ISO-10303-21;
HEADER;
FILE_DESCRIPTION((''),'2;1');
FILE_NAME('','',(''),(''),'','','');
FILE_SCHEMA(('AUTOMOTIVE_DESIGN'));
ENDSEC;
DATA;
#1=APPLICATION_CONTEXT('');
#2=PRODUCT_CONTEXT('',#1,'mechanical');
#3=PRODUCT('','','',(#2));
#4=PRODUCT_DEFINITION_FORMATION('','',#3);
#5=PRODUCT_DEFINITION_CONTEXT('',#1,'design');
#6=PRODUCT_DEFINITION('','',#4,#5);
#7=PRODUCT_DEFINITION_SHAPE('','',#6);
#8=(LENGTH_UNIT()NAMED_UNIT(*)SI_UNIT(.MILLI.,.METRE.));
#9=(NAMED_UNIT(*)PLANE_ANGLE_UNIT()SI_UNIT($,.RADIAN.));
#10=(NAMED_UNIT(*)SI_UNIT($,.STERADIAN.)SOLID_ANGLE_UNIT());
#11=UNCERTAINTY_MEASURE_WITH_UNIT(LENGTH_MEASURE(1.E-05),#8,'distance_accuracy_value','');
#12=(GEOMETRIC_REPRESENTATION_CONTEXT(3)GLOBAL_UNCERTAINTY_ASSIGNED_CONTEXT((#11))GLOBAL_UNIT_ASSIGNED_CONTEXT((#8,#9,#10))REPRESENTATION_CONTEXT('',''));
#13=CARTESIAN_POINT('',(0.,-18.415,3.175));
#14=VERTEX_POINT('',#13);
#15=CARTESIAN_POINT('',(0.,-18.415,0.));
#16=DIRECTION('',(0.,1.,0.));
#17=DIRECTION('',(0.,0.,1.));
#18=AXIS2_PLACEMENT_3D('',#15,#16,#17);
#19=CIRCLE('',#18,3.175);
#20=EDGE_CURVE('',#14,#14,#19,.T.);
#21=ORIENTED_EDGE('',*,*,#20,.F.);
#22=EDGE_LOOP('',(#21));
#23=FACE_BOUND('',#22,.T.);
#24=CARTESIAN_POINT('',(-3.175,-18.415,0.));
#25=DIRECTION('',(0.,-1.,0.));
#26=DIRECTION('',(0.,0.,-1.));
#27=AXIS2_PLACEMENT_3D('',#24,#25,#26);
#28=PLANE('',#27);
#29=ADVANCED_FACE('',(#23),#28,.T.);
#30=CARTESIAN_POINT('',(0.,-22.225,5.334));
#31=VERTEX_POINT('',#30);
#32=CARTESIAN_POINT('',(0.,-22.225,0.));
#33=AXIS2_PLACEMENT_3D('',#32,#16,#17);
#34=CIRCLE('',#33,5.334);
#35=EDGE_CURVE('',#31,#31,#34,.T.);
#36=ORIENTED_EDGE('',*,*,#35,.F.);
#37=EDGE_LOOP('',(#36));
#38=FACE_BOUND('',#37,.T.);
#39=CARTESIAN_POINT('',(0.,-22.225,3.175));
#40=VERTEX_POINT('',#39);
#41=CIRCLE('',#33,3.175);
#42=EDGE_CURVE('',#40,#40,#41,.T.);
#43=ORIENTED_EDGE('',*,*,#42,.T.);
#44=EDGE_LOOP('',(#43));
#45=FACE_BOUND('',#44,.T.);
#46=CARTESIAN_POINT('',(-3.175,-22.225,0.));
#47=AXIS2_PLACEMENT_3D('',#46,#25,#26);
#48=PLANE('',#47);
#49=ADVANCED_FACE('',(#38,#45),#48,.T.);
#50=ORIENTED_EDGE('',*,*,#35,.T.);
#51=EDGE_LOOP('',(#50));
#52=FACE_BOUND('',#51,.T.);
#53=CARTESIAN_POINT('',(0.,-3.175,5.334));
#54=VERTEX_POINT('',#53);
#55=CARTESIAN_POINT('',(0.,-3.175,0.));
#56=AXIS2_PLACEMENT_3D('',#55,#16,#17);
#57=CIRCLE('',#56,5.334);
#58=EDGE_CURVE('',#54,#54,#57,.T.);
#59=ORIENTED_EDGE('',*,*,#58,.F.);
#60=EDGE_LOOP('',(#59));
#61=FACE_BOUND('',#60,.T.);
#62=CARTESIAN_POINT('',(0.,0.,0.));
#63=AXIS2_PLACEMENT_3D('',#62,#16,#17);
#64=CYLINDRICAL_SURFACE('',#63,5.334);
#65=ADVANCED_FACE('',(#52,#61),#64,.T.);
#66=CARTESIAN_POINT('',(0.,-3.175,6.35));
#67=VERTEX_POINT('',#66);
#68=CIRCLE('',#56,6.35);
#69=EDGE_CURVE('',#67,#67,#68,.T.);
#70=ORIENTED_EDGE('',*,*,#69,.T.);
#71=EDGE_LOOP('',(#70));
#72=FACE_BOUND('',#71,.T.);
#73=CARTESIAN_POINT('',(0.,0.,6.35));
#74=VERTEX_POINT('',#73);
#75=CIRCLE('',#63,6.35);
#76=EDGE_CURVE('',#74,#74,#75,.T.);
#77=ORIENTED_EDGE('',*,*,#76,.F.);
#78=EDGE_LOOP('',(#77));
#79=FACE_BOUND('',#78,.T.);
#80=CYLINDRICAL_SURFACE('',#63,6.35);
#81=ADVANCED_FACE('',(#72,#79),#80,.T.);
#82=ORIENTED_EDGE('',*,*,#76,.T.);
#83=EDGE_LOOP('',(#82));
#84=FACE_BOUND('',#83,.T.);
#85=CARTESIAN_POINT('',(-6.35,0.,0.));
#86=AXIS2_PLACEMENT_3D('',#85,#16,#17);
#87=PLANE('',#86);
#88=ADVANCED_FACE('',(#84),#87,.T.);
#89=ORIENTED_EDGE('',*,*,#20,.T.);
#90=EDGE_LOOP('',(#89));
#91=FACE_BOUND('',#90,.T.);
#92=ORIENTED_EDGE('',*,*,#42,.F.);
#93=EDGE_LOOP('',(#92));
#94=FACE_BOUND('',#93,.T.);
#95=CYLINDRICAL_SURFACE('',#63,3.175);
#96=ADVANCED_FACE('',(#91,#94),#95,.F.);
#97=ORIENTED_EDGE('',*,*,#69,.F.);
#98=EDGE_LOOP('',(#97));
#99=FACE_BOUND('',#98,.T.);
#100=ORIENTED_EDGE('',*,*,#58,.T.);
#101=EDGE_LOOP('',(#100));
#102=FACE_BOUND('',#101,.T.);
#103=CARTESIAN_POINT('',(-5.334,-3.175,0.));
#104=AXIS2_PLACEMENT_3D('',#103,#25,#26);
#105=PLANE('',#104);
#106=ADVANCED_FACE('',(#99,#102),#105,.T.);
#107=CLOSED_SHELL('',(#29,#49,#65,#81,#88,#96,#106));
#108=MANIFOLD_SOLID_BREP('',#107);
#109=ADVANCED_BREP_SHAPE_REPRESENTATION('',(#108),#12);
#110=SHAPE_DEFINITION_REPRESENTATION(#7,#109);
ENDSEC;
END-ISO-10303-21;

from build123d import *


with BuildPart() as part:
    # Sketch1 → Revolve1 (revolve)
    with BuildSketch(Plane.XY):
        Polygon((-3.175, -18.415), (-3.175, -22.225), (-5.334, -22.225), (-5.334, -3.175), (-6.35, -3.175), (-6.35, 0), (0, 0), (0, -18.415), align=None)
    revolve(axis=Axis((0, 0, 0), (0, -1, 0)))


solid = part.part
